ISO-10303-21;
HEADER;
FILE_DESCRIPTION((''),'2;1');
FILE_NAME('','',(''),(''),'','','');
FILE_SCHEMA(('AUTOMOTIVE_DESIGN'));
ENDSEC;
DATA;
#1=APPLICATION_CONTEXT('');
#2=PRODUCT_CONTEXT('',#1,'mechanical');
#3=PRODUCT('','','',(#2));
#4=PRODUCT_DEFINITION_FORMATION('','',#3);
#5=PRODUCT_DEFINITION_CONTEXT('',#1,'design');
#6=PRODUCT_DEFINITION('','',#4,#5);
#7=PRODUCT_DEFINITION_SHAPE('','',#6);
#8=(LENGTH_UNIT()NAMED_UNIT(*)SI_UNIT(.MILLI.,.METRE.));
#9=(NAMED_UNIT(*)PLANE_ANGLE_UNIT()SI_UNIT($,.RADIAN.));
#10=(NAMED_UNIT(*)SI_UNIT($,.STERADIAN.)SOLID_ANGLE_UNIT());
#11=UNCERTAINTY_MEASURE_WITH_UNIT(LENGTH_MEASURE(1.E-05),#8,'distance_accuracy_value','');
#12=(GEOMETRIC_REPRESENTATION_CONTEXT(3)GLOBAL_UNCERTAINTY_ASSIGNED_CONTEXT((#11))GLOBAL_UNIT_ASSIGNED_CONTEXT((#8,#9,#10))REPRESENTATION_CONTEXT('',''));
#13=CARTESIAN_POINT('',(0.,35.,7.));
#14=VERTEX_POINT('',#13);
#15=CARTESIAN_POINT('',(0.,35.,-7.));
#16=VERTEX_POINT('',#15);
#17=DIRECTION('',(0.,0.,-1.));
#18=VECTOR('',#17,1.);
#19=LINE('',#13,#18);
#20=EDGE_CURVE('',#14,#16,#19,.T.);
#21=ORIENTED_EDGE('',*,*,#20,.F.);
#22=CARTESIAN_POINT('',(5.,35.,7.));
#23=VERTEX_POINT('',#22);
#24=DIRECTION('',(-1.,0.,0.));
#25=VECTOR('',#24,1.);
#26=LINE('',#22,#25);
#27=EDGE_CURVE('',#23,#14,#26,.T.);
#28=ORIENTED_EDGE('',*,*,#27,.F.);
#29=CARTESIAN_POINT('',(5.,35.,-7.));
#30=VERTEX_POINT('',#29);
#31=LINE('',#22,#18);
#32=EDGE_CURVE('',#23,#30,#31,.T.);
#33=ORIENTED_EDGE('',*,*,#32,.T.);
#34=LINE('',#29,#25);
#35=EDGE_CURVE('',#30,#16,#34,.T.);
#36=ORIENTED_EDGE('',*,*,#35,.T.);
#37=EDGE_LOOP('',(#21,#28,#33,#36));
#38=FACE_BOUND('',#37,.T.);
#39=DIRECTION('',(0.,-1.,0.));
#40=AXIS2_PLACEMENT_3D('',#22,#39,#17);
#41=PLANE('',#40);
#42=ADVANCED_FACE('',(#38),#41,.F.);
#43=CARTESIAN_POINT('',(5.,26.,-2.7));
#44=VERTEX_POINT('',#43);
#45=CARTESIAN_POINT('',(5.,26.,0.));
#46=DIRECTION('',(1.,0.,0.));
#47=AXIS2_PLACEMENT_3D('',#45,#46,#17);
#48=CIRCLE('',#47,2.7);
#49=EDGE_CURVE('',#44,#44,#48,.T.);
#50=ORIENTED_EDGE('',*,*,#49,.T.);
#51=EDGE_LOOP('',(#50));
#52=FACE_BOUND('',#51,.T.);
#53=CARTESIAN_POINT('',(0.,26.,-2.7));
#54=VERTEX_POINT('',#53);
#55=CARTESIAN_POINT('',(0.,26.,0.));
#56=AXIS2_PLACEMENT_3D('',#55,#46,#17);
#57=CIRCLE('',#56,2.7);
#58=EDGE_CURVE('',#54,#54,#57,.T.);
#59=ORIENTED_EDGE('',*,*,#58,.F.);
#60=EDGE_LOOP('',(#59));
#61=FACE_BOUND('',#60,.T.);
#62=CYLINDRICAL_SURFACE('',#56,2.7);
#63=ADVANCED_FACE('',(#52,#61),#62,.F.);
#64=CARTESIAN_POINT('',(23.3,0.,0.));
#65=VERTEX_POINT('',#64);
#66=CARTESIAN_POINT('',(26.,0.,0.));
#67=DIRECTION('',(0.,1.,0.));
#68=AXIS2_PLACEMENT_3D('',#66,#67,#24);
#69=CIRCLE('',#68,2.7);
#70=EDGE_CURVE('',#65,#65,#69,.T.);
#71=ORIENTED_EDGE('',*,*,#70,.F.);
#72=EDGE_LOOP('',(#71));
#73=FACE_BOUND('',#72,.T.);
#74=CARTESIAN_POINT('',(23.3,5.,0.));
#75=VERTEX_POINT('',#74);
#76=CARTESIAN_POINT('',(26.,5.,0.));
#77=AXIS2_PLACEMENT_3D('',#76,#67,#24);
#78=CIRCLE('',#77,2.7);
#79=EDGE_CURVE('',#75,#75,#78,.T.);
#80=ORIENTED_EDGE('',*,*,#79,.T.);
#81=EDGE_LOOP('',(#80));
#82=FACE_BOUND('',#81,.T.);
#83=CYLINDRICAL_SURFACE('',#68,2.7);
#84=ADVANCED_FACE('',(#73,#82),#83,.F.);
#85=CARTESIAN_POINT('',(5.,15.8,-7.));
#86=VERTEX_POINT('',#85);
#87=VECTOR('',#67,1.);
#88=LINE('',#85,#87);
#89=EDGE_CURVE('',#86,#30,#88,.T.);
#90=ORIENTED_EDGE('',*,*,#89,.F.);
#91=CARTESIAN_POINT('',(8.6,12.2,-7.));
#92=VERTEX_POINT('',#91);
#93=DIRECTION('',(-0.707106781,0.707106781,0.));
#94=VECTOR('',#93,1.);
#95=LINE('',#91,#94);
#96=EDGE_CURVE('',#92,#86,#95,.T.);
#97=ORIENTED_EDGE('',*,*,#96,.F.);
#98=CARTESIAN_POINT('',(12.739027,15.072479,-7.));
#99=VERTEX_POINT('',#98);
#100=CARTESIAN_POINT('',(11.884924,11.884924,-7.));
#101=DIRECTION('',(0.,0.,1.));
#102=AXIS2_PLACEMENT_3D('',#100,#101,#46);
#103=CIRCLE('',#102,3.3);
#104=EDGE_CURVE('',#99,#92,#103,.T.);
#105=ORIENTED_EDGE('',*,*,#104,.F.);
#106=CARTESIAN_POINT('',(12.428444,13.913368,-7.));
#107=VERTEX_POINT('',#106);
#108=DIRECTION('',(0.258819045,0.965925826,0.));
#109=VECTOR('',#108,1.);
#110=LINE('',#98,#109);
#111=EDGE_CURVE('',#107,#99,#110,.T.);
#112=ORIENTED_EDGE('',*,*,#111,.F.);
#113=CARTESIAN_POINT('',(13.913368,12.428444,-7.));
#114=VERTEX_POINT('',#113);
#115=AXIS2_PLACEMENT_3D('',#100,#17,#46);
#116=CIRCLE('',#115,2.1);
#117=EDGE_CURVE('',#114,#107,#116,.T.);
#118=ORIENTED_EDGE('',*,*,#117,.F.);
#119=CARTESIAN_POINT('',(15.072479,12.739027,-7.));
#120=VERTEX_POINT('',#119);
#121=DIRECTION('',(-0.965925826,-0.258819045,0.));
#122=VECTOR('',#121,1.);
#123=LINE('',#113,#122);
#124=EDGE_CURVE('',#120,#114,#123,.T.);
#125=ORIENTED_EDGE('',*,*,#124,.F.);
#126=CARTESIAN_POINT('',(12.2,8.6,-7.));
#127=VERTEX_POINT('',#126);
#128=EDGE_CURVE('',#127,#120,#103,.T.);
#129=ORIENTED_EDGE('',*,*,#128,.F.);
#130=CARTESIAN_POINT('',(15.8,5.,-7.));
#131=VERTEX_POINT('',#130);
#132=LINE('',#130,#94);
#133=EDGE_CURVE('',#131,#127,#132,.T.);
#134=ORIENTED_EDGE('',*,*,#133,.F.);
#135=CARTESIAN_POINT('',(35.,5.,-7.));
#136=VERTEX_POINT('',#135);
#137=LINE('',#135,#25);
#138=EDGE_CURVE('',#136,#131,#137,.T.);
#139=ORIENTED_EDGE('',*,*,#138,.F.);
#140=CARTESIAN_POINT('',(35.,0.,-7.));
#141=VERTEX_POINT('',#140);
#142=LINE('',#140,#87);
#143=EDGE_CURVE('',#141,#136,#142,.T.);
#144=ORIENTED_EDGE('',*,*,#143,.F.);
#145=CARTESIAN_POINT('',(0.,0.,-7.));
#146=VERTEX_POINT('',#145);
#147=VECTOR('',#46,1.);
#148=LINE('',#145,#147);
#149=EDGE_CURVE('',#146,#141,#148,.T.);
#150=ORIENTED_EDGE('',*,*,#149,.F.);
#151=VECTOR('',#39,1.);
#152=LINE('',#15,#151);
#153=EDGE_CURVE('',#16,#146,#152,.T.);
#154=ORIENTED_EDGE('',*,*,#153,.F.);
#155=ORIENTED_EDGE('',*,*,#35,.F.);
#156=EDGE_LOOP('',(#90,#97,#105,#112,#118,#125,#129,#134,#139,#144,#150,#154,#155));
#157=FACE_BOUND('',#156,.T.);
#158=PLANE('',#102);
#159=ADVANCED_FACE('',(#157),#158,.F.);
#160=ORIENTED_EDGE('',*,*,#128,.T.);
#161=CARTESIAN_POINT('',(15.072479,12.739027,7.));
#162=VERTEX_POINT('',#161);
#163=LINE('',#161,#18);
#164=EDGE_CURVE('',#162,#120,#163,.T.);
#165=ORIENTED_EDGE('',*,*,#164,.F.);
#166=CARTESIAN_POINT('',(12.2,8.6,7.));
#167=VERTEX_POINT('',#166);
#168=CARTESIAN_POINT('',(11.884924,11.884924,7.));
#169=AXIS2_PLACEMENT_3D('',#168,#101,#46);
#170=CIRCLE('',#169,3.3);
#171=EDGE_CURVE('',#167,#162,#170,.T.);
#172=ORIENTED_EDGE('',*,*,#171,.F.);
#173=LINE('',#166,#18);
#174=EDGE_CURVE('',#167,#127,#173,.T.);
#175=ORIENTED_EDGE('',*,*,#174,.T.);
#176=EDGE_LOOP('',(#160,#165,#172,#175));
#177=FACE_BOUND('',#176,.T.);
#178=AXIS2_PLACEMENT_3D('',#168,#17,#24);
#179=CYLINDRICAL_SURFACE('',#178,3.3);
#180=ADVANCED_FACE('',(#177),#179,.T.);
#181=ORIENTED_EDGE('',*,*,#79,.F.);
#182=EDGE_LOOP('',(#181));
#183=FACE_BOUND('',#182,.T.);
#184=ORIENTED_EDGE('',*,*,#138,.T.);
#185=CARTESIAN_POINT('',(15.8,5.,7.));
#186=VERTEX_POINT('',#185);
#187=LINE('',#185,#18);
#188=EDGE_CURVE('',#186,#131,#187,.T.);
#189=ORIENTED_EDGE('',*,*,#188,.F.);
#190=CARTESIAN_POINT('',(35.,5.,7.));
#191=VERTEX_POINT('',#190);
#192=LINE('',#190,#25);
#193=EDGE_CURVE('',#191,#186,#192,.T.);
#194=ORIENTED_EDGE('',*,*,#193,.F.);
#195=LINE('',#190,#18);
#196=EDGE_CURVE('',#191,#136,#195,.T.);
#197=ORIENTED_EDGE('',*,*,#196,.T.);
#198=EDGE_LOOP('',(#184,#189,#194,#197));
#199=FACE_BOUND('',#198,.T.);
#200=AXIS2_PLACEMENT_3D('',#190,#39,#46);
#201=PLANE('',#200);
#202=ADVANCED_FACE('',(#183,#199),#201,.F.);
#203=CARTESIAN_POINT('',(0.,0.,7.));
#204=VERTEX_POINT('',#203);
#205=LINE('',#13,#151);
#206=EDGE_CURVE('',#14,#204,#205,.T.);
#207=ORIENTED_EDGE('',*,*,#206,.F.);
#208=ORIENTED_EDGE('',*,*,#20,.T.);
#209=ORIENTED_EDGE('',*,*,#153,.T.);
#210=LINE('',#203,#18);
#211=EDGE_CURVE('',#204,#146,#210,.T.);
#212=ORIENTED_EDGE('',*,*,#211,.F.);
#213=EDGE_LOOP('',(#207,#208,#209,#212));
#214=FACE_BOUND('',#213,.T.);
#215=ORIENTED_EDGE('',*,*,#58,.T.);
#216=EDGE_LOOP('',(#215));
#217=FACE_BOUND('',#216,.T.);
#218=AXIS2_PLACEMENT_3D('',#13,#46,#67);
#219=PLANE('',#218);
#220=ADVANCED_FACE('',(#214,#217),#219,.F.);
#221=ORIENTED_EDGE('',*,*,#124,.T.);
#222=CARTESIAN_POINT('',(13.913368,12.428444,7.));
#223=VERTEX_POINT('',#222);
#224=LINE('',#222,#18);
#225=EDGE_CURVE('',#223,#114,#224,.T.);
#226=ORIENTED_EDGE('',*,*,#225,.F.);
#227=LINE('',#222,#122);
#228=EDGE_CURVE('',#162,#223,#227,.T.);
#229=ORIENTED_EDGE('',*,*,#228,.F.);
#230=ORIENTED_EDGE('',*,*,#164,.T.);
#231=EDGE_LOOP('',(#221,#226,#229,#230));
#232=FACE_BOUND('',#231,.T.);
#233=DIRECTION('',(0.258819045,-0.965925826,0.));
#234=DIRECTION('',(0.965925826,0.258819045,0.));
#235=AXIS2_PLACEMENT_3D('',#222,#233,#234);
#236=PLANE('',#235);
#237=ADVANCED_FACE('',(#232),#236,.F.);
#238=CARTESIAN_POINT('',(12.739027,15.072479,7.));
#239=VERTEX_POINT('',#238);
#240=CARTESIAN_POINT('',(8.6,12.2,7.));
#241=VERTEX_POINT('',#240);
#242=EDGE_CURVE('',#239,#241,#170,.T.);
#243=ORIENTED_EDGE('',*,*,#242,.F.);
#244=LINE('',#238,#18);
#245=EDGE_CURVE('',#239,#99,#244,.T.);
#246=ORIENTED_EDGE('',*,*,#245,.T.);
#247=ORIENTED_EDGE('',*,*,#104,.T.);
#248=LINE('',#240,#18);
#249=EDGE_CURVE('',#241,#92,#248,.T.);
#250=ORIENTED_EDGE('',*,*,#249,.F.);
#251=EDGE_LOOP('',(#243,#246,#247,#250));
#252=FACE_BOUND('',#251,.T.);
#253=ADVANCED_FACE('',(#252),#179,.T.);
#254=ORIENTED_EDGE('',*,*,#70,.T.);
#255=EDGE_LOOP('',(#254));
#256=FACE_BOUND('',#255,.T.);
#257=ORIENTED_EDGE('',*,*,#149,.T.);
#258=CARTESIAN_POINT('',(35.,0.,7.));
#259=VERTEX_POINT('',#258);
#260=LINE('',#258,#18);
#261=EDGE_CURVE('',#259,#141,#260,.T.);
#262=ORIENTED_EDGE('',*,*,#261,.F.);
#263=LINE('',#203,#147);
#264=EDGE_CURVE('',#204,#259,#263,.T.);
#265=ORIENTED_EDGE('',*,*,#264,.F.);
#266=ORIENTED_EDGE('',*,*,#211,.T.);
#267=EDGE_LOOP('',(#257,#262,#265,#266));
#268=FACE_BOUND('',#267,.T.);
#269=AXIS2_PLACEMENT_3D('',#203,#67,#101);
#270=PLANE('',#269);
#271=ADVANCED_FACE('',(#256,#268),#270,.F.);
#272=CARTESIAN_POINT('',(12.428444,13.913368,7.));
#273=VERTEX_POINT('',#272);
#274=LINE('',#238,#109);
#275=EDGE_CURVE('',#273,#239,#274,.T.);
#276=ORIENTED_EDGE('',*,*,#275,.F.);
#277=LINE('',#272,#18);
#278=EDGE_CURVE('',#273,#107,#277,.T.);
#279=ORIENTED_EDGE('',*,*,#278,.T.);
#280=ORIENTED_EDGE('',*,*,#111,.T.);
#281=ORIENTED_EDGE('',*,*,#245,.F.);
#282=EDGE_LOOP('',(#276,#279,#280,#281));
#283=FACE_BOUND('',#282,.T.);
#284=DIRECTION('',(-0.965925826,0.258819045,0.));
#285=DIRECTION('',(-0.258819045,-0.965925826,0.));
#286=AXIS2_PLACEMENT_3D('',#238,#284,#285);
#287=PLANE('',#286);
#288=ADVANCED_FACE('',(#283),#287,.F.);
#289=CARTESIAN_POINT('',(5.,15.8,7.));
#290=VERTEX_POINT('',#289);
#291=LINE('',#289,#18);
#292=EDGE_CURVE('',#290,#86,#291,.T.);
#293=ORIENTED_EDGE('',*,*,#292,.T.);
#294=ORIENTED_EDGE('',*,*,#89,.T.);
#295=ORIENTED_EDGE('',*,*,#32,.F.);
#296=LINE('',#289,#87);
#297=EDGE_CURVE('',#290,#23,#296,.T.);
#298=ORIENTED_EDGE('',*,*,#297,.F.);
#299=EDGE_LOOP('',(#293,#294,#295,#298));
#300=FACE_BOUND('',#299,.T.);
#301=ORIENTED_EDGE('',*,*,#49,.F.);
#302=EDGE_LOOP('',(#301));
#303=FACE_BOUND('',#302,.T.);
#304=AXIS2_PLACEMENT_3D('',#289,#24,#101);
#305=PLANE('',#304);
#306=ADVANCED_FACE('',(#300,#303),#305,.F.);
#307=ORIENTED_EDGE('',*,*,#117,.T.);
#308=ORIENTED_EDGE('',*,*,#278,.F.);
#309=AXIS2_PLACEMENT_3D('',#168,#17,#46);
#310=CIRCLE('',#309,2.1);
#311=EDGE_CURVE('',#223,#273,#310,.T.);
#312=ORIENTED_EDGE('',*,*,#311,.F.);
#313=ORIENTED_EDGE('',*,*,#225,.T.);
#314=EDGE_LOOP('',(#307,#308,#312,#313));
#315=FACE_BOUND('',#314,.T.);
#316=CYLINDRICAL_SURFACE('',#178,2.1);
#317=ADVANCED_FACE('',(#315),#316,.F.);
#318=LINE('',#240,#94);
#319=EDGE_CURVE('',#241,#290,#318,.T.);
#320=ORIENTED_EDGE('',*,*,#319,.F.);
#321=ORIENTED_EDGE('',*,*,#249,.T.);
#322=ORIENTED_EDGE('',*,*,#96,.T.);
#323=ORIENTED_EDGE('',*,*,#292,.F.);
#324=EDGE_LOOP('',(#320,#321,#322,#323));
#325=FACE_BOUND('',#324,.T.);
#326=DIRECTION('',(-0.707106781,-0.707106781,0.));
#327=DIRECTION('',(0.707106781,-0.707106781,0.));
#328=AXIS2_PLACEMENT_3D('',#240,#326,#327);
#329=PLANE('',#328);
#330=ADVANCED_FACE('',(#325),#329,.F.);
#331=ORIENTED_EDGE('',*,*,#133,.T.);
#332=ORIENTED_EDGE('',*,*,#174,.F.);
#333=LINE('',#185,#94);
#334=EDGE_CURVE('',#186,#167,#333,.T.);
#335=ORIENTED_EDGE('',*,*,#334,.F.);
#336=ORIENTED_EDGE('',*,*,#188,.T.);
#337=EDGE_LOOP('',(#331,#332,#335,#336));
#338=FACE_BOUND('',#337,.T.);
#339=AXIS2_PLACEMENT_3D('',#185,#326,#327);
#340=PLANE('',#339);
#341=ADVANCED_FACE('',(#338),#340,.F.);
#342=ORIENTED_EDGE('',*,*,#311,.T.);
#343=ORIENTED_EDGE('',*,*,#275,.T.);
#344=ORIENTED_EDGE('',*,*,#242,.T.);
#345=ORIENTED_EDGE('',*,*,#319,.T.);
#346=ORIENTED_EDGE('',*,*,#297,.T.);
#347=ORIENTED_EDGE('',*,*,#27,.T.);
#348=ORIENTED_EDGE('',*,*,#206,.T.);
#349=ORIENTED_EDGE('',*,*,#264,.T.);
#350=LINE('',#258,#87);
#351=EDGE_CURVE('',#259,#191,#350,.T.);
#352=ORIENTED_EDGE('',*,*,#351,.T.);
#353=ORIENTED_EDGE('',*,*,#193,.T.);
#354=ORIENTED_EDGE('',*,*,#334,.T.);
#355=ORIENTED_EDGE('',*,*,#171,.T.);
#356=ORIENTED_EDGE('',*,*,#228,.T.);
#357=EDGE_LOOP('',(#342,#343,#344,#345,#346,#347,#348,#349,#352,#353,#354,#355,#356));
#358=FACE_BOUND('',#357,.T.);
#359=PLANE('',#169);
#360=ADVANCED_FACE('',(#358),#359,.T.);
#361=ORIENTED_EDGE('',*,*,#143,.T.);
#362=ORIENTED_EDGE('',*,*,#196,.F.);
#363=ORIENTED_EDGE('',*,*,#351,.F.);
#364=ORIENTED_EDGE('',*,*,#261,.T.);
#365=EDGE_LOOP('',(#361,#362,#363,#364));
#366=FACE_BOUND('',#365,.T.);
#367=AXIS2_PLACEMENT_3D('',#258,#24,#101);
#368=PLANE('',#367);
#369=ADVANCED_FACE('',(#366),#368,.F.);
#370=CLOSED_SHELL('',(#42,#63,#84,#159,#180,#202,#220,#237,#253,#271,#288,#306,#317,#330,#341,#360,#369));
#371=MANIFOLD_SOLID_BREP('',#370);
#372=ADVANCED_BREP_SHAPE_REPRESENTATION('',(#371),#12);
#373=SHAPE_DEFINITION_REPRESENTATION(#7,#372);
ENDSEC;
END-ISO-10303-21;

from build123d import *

# Parameters (mm, degrees)
BOSS_EXTRUDE1_DEPTH = 7
SKETCH3_R           = 2.7
CUT_EXTRUDE1_DEPTH  = 47.626172907
SKETCH4_R           = 2.7
CUT_EXTRUDE2_DEPTH  = 47.626172907


with BuildPart() as part:
    # Sketch1 → Boss-Extrude1 (new, symmetric)
    with BuildSketch(Plane.XY):
        with BuildLine():
            Line((0, 35), (0, 0))
            Line((0, 0), (35, 0))
            Line((35, 0), (35, 5))
            Line((35, 5), (15.8, 5))
            Line((15.8, 5), (12.2, 8.6))
            ThreePointArc((12.2, 8.6), (14.596011157, 10.003433414), (15.072479467, 12.739027089))
            Line((15.072479467, 12.739027089), (13.913368476, 12.428444235))
            ThreePointArc((13.913368476, 12.428444235), (10.4, 10.4), (12.428444235, 13.913368476))
            Line((12.428444235, 13.913368476), (12.739027089, 15.072479467))
            ThreePointArc((12.739027089, 15.072479467), (10.003433414, 14.596011157), (8.6, 12.2))
            Line((8.6, 12.2), (5, 15.8))
            Line((5, 15.8), (5, 35))
            Line((5, 35), (0, 35))
        make_face()
    extrude(amount=BOSS_EXTRUDE1_DEPTH, both=True)

    # Sketch3 → Cut-Extrude1 (cut, through all)
    with BuildSketch(Plane(origin=(0, 5, 0), x_dir=(1, 0, 0), z_dir=(0, 1, 0))):
        with Locations(Location((26, 0, 0), (0, 0, 180))):
            Circle(SKETCH3_R)
    extrude(amount=-CUT_EXTRUDE1_DEPTH, mode=Mode.SUBTRACT)

    # Sketch4 → Cut-Extrude2 (cut, through all)
    with BuildSketch(Plane(origin=(5, 0, 0), x_dir=(0, 0, -1), z_dir=(1, 0, 0))):
        with Locations((0, 26)):
            Circle(SKETCH4_R)
    extrude(amount=-CUT_EXTRUDE2_DEPTH, mode=Mode.SUBTRACT)


solid = part.part
